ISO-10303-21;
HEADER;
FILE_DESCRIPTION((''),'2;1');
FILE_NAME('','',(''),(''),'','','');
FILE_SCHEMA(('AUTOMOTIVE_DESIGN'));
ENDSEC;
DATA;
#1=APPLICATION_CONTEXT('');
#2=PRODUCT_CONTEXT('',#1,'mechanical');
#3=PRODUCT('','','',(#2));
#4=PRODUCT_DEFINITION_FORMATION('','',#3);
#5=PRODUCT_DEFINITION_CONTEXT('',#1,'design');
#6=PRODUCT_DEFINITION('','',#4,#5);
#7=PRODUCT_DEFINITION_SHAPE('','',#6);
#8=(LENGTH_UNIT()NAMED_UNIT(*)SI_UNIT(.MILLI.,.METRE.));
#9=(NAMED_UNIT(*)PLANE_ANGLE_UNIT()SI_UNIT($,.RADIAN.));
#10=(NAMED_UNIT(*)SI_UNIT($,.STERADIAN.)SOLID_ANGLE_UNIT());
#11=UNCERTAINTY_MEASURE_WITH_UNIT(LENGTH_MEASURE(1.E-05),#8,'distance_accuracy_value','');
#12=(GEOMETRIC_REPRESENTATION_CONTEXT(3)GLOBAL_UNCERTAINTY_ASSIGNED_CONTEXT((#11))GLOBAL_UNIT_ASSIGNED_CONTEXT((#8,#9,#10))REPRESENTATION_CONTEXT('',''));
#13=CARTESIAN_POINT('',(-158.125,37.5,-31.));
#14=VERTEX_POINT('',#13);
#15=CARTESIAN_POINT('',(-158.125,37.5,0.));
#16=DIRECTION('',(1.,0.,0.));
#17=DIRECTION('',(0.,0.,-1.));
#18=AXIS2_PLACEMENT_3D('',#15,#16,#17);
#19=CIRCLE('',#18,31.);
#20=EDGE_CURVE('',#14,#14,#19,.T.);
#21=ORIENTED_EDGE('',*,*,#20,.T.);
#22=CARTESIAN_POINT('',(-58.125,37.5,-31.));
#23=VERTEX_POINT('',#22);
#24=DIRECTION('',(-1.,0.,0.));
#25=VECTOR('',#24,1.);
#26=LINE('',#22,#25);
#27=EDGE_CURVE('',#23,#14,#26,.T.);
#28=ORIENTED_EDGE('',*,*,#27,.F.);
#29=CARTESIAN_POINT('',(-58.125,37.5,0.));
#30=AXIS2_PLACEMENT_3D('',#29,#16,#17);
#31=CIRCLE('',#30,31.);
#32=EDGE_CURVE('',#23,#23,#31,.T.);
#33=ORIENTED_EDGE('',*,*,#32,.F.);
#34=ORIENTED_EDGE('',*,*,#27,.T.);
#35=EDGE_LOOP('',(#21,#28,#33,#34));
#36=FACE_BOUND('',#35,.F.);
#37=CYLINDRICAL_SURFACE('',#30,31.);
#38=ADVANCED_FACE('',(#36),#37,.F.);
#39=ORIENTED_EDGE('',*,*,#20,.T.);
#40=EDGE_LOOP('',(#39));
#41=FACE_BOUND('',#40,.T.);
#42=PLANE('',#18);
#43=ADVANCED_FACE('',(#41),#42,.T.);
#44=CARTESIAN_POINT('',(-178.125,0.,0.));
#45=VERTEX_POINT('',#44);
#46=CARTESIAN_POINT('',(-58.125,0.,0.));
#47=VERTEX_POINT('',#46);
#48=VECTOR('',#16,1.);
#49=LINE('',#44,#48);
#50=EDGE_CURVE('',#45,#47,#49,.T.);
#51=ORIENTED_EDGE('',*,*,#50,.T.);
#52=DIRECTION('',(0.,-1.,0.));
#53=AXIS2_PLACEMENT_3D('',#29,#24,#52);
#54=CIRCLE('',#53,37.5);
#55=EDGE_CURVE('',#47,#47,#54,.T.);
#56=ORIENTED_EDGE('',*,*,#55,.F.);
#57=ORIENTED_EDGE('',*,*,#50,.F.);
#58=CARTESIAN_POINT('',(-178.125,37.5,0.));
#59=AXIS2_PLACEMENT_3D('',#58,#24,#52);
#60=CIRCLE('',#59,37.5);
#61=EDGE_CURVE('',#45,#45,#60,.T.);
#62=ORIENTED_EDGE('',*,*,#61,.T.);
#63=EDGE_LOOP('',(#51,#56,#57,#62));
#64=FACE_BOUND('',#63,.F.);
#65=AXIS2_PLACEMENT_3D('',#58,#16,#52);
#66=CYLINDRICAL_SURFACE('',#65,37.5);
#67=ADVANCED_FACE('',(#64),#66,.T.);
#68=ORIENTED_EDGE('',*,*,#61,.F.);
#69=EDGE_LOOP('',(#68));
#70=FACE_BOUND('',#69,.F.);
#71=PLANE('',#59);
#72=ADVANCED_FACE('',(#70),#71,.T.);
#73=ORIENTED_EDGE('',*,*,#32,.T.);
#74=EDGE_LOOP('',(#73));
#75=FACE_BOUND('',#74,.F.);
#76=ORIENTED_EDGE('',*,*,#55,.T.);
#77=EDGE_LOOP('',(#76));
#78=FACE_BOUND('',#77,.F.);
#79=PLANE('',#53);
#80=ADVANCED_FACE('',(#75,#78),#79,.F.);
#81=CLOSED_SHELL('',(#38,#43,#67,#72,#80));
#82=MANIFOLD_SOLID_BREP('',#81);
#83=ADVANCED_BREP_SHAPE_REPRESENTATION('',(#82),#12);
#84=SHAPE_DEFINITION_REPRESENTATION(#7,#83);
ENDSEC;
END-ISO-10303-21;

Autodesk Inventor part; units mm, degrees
ref_plane "YZ Plane" through (0, 0, 0) normal (1, 0, 0) x (0, 1, 0)
ref_plane "XZ Plane" through (0, 0, 0) normal (0, 1, 0) x (-1, 0, 0)
ref_plane "XY Plane" through (0, 0, 0) normal (0, 0, 1) x (1, 0, 0)
sketch "Sketch1" plane through (0, 0, 0) normal (0, 0, 1) x (1, 0, 0)
  line L0 (-178.125, 0) -> (-58.125, 0)
  line L1 (-58.125, 0) -> (-58.125, 37.5)
  line L2 (-58.125, 37.5) -> (-178.125, 37.5)
  line L3 (-178.125, 37.5) -> (-178.125, 0)
  point P0 (0, 0)
  dimension "d0" = 75
  dimension "d1" = 120
  dimension "d2" = 75
  dimension "d3" = 58.125
revolve "Revolution1" add sketch "Sketch1" angle 360 about axis through (-58.125, 37.5, 0) along (-1, 0, 0)
sketch "Sketch2" plane through (-58.125, 37.5, 0) normal (1, 0, 0) x (0, 0, -1)
  circle A0 centre (0, 0) radius 31
  circle A1 centre (0, 0) radius 37.5 projected
  point P0 (0, -37.5)
  dimension "d5" = 6.5
extrude "Extrusion1" cut sketch "Sketch2" against normal blind 100 contours A0
properties part number "Motor casing" material "Aluminum 6061"
